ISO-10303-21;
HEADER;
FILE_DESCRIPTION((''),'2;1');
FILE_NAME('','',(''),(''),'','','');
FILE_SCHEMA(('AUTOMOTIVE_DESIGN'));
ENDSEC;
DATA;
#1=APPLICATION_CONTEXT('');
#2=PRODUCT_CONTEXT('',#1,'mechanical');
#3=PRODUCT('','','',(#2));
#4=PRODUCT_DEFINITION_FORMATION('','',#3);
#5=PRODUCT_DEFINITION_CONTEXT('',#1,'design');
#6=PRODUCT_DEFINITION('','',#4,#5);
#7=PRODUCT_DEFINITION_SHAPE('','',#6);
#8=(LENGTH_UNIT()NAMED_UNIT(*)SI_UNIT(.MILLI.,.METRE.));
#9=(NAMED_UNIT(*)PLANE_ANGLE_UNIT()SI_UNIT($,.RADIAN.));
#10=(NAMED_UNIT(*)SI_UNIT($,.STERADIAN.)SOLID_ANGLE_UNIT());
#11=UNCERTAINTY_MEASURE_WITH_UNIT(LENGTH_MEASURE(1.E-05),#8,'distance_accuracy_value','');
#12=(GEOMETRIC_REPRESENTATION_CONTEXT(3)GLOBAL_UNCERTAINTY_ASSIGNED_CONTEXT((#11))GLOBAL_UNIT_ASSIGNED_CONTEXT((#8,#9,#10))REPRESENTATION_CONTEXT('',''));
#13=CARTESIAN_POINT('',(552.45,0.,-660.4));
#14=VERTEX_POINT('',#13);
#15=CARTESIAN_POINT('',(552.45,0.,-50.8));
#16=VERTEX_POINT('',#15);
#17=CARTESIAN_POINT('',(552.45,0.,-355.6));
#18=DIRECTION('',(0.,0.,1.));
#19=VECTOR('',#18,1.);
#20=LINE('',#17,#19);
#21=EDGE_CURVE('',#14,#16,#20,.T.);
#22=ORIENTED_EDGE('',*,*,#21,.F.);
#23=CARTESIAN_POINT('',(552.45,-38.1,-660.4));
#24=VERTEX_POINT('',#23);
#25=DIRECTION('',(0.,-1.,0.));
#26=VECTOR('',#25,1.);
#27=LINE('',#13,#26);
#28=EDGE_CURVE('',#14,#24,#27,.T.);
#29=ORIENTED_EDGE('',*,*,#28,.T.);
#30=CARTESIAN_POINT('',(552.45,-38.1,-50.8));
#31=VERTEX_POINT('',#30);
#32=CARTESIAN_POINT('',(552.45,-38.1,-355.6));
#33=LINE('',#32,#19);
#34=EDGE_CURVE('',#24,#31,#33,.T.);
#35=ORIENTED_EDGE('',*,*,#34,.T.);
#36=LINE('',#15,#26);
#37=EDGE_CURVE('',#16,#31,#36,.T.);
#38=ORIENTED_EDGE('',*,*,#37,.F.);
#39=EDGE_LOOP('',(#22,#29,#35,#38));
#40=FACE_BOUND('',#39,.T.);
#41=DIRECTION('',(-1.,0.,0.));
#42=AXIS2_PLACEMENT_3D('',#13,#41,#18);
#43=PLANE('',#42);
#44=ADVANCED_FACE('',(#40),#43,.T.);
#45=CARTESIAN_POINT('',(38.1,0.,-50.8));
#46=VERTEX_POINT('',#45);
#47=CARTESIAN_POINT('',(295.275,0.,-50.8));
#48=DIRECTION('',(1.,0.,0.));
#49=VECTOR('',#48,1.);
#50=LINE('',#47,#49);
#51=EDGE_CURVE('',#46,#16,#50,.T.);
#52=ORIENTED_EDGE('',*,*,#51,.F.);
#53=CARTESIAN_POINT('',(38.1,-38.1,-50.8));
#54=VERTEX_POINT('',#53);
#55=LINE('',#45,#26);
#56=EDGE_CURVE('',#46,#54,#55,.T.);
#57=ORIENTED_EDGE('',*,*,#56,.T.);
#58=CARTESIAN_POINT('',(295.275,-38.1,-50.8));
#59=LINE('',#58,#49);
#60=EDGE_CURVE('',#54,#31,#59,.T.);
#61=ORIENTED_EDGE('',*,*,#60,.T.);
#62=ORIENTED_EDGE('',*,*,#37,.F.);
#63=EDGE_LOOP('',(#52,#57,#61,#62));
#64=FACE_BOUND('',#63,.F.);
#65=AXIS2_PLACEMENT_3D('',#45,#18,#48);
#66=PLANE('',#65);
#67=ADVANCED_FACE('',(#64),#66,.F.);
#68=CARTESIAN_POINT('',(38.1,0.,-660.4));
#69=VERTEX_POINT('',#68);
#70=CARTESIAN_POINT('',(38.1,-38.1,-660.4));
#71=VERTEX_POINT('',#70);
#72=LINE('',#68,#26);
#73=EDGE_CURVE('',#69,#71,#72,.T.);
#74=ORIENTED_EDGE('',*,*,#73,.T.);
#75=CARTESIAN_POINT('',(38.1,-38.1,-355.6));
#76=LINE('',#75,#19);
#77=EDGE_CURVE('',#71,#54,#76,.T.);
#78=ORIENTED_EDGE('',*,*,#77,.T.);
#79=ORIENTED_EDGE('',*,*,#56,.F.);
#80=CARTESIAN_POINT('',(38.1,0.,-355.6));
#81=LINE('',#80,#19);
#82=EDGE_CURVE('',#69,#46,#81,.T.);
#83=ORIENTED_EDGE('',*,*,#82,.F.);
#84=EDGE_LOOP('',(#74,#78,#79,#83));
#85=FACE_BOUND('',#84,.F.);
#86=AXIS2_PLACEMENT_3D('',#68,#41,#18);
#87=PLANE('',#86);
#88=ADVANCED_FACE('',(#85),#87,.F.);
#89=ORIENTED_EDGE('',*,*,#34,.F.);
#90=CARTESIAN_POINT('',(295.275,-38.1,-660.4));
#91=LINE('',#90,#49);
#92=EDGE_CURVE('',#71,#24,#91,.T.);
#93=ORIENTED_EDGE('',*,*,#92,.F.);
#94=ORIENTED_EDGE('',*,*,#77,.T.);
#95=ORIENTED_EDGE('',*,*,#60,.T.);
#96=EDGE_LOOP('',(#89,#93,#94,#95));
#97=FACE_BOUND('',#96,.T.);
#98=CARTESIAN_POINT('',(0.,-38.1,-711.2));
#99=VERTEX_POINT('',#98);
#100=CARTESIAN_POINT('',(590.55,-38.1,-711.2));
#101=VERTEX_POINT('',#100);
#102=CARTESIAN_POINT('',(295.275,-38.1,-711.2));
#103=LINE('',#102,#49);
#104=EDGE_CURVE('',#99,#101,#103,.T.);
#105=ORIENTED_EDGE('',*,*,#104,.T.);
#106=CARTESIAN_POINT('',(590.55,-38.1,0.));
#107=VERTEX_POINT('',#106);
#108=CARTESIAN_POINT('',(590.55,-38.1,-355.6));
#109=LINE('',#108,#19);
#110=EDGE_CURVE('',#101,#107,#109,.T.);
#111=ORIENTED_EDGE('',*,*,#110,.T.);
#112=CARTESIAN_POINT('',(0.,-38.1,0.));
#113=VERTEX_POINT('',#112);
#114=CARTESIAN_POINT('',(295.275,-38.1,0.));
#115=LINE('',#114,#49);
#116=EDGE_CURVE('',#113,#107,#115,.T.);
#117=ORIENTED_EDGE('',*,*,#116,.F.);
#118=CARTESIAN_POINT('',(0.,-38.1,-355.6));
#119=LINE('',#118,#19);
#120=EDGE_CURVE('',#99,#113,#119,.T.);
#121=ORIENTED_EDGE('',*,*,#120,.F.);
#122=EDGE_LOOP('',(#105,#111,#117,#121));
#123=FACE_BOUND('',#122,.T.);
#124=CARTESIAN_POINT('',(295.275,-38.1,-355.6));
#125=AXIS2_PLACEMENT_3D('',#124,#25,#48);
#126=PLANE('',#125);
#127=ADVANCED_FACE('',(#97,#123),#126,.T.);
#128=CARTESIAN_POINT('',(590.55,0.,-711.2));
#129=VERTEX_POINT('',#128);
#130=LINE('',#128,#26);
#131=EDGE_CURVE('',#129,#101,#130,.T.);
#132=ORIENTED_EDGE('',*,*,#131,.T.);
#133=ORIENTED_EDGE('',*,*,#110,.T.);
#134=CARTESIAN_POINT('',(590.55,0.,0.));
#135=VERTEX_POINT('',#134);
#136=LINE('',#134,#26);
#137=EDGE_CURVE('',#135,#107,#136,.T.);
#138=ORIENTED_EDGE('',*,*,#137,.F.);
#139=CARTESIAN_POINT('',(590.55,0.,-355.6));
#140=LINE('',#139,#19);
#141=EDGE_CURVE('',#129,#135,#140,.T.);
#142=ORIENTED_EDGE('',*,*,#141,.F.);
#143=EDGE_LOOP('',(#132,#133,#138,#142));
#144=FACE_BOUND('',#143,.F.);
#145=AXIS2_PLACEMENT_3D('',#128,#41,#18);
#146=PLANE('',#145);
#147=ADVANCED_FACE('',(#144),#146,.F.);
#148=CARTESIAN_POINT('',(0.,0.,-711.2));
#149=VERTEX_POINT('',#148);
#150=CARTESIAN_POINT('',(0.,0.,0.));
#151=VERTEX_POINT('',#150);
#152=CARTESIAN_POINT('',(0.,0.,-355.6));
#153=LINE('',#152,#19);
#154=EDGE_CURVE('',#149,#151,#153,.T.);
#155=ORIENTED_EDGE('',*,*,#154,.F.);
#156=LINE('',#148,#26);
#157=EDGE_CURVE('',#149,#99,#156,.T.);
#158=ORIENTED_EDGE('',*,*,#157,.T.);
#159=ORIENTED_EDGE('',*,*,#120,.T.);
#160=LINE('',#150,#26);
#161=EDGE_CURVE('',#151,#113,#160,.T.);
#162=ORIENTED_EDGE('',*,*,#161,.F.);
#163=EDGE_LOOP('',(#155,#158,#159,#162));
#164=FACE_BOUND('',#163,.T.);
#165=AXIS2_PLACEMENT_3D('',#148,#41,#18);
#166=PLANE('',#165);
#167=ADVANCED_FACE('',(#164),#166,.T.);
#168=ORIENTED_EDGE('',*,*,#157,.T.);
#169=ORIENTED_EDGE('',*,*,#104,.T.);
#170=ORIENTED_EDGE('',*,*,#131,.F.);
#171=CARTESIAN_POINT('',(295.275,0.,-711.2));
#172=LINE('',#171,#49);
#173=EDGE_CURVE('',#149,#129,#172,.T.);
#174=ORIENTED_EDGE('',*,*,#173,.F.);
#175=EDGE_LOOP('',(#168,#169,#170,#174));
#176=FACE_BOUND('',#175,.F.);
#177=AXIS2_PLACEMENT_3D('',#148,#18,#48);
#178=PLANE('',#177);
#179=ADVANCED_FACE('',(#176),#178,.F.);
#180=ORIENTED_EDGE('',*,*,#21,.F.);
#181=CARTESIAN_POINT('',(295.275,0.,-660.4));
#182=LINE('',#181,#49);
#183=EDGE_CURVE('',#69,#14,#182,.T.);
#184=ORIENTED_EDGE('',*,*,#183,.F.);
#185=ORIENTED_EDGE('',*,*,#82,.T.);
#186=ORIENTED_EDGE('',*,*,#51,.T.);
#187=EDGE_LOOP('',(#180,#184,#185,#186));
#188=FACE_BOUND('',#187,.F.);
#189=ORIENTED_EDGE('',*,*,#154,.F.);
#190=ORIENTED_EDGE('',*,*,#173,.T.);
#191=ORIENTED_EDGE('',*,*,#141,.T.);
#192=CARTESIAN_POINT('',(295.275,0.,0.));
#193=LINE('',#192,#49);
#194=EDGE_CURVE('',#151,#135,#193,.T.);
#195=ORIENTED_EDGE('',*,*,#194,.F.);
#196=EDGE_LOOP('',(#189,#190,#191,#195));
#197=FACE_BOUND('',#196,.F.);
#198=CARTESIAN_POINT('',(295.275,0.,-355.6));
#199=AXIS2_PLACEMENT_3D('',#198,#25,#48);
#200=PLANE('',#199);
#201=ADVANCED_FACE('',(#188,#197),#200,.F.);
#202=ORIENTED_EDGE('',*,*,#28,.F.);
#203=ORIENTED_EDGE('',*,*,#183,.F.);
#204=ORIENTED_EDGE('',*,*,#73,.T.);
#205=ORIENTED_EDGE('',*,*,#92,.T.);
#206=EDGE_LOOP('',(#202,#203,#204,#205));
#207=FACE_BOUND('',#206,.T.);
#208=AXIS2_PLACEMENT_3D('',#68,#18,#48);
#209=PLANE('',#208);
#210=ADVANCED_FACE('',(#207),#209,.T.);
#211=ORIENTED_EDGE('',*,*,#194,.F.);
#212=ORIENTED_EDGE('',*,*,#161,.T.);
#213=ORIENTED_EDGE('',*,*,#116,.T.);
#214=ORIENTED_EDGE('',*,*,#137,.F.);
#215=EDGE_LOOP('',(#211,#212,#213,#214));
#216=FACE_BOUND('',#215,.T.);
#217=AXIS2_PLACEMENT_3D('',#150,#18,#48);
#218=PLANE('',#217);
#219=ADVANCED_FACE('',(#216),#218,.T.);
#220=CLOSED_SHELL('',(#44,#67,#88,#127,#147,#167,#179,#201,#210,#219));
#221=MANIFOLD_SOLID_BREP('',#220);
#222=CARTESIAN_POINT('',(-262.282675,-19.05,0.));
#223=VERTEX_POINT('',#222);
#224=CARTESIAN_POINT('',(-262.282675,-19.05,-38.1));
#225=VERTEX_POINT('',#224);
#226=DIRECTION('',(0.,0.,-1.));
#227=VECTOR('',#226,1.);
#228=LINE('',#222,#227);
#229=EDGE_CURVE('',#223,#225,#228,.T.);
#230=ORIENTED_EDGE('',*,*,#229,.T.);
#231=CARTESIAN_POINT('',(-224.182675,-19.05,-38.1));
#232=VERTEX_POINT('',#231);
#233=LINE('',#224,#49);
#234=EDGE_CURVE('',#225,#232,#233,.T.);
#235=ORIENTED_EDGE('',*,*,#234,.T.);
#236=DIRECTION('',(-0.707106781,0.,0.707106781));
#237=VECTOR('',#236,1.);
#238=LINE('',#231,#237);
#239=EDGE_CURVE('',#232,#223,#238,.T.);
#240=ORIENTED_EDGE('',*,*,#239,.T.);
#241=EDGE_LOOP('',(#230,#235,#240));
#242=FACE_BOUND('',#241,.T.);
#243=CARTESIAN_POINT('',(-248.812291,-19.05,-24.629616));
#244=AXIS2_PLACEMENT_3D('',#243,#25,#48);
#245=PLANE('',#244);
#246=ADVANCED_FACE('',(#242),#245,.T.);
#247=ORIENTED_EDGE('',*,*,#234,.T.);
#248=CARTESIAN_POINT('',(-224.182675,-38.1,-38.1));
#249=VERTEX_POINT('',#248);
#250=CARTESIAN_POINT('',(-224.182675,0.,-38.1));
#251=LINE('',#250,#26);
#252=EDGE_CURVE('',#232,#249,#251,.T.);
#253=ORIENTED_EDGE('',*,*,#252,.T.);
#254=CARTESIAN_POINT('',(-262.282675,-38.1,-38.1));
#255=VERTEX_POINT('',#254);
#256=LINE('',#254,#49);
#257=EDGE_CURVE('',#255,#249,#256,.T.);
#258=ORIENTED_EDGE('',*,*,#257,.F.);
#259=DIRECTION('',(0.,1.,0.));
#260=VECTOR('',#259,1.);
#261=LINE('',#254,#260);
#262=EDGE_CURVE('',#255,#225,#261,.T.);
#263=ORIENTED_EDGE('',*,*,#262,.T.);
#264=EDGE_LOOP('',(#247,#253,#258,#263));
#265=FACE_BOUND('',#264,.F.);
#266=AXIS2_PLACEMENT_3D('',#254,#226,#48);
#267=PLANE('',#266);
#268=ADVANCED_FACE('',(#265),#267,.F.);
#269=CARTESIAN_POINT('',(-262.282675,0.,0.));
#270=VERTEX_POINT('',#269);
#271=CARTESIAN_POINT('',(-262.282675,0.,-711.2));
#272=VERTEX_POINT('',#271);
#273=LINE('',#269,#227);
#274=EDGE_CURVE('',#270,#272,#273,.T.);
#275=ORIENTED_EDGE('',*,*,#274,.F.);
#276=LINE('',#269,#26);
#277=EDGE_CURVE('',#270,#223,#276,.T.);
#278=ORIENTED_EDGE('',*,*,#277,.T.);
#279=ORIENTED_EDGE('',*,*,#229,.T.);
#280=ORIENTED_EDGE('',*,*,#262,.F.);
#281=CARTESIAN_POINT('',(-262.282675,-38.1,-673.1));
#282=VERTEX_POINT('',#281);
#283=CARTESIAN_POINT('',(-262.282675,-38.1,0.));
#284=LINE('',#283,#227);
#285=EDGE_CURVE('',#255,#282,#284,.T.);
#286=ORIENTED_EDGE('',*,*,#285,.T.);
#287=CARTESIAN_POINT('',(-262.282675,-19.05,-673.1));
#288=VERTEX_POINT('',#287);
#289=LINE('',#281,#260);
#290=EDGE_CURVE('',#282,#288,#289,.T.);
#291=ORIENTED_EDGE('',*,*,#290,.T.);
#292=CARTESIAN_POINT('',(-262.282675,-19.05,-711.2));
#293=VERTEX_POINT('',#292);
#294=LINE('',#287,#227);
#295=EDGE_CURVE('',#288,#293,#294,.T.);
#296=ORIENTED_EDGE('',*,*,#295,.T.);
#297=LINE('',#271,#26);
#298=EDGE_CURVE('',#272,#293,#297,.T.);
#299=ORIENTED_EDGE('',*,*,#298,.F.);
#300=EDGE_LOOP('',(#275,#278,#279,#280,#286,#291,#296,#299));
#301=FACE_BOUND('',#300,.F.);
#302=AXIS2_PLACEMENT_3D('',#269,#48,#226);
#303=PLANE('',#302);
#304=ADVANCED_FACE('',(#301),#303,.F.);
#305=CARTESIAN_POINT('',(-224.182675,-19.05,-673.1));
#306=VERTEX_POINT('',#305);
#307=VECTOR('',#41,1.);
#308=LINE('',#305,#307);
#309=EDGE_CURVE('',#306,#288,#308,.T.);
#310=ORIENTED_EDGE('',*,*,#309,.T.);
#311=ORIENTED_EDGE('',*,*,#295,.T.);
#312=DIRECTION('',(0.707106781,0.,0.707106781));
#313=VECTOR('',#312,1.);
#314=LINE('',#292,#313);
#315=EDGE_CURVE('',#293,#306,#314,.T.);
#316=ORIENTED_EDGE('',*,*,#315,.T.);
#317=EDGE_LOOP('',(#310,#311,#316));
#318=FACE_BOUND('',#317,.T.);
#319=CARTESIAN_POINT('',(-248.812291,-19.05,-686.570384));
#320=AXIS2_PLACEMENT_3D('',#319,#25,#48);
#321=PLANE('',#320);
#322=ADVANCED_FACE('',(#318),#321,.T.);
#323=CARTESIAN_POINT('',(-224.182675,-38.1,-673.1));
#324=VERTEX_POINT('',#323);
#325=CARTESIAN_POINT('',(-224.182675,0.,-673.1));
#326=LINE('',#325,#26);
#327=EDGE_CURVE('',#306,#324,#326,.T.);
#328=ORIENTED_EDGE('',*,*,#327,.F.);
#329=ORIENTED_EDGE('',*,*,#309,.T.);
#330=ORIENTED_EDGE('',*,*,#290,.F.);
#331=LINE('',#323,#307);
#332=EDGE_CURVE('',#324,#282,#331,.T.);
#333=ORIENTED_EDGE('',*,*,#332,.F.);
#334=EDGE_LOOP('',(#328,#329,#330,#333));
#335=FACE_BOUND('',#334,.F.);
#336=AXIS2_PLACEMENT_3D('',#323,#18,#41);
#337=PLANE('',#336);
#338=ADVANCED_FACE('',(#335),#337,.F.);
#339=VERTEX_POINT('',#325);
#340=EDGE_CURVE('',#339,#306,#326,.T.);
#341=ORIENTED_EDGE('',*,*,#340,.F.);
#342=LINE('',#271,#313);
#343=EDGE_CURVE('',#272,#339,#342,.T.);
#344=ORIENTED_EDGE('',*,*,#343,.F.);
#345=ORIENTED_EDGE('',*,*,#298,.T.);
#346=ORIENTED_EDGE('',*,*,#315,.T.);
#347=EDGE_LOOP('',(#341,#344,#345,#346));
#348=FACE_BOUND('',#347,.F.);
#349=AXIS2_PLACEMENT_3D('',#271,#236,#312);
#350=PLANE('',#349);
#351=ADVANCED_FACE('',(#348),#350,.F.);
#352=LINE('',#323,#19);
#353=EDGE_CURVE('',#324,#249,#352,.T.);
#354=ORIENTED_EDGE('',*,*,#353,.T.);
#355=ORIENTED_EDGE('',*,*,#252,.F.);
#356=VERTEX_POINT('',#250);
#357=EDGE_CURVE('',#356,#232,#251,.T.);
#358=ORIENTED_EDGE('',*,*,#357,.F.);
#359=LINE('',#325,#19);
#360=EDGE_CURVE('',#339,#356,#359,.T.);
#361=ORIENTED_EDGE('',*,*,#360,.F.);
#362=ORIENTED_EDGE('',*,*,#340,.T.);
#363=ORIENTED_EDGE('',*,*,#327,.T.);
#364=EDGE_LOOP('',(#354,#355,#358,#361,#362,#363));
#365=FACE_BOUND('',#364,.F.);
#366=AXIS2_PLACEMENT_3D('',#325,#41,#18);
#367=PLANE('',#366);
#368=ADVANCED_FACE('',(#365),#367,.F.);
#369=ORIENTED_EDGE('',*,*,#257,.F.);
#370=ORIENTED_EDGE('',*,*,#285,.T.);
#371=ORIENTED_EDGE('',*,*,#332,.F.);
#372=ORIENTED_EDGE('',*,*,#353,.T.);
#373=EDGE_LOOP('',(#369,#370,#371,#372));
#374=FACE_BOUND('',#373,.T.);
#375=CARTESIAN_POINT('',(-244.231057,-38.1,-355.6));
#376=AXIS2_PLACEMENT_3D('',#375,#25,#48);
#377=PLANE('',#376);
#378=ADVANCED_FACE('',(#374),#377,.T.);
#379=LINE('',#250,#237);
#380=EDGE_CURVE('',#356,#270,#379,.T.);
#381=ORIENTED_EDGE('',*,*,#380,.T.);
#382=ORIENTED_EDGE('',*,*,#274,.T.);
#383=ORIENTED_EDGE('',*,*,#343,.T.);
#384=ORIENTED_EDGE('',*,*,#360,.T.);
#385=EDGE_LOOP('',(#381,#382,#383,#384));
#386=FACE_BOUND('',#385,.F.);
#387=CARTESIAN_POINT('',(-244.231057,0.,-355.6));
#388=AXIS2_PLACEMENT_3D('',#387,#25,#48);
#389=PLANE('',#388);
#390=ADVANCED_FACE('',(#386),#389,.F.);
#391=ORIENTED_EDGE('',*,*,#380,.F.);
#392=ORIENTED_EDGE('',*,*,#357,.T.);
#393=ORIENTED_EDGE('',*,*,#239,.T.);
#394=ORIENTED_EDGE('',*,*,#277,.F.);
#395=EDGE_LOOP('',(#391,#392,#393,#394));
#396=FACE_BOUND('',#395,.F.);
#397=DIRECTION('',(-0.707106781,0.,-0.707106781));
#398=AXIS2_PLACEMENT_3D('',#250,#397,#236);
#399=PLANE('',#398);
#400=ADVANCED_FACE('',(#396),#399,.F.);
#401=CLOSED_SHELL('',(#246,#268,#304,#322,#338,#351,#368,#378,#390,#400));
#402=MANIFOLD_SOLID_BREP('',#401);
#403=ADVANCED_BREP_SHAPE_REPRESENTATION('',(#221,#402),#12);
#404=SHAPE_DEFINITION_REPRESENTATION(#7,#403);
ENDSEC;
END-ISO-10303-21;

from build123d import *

# Parameters (mm, degrees)
F0_W     = 590.55
F0_H     = 711.2
F0_W_2   = 514.35
F0_H_2   = 609.6
F1_DEPTH = 38.1
F3_DEPTH = 38.1
F5_DEPTH = 19.05


with BuildPart() as f1:
    # F0 (on Front) → F1 (new body)
    with BuildSketch(Plane.XZ):
        with Locations((295.275, -355.6)):
            Rectangle(F0_W, F0_H)
        with Locations((295.275, -355.6)):
            Rectangle(F0_W_2, F0_H_2, mode=Mode.SUBTRACT)
    extrude(amount=F1_DEPTH)


with BuildPart() as f3:
    # F2 (on Front) → F3 (new body)
    with BuildSketch(Plane.XZ):
        Polygon((-224.182675, -38.1), (-262.282675, 0), (-262.282675, -711.2), (-224.182675, -673.1), align=None)
    extrude(amount=F3_DEPTH)

    # F4 (on face) → F5 (cut)
    with BuildSketch(Plane.XZ.offset(38.1)):
        Polygon((-262.282675, -711.2), (-224.182675, -673.1), (-262.282675, -673.1), align=None)
        Polygon((-224.182675, -38.1), (-262.282675, 0), (-262.282675, -38.1), align=None)
    extrude(amount=-F5_DEPTH, mode=Mode.SUBTRACT)


solid = Compound([f1.part, f3.part])
